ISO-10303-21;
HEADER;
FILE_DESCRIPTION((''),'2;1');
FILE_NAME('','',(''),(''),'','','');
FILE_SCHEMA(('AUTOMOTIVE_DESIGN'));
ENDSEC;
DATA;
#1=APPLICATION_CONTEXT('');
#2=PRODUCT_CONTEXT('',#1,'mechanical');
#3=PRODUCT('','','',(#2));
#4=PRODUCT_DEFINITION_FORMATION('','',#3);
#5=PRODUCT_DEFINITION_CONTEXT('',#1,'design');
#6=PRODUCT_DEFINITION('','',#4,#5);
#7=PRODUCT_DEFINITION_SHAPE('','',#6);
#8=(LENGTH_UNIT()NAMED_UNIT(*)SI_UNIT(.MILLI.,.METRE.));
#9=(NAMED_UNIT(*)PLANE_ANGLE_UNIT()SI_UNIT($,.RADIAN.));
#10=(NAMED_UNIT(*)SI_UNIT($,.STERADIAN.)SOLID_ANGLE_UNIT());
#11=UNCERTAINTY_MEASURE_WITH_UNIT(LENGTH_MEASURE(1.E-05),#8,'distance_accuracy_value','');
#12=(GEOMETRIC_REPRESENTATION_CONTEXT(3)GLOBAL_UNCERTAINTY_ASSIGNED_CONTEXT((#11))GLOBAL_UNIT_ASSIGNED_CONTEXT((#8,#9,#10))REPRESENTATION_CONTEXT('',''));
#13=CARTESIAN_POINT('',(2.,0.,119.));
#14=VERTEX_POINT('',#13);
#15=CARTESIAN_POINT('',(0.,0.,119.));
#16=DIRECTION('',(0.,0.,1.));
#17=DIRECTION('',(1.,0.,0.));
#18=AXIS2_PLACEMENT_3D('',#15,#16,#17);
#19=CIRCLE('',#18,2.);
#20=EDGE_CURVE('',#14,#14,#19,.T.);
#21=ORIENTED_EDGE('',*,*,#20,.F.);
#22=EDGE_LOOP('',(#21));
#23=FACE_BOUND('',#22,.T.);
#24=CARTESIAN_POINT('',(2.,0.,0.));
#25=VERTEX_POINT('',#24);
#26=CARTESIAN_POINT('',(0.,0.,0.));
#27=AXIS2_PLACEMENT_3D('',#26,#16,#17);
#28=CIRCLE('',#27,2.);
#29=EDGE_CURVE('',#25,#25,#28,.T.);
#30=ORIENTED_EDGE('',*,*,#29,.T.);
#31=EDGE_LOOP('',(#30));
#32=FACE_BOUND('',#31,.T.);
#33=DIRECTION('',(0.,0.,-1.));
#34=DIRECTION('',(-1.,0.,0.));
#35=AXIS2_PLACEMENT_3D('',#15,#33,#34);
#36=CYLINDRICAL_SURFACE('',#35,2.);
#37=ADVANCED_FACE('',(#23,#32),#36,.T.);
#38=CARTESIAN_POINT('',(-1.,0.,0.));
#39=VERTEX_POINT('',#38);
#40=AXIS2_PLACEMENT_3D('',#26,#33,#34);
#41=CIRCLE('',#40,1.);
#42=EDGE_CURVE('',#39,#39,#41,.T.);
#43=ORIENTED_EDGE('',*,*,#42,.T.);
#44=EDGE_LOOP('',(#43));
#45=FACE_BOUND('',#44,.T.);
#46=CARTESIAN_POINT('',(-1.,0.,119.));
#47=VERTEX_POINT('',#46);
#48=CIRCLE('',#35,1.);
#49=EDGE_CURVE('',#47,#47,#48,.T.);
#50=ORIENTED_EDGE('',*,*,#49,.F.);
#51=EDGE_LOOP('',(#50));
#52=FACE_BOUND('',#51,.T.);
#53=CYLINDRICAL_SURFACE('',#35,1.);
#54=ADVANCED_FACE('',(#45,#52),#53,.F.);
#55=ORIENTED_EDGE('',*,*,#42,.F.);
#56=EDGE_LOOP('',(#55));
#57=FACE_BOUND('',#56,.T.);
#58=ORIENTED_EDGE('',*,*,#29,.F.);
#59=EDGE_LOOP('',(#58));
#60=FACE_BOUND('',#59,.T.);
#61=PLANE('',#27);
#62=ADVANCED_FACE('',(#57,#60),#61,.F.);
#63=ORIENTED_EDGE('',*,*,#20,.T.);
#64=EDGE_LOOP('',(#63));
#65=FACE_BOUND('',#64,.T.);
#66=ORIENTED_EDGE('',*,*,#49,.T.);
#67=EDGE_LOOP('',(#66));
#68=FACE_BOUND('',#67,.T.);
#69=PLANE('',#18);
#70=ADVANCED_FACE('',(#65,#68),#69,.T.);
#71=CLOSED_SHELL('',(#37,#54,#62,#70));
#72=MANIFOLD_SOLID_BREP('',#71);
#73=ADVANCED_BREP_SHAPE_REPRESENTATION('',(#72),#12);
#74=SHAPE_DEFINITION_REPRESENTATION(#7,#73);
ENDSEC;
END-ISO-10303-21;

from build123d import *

# Parameters (mm, degrees)
SKETCH1_R           = 2
BOSS_EXTRUDE1_DEPTH = 119
SKETCH2_R           = 1
CUT_EXTRUDE1_DEPTH  = 119


with BuildPart() as part:
    # Sketch1 → Boss-Extrude1 (new body)
    with BuildSketch(Plane.XY):
        Circle(SKETCH1_R)
    extrude(amount=BOSS_EXTRUDE1_DEPTH)

    # Sketch2 → Cut-Extrude1 (cut)
    with BuildSketch(Plane(origin=(0, 0, 0), x_dir=(-1, 0, 0), z_dir=(0, 0, -1))):
        Circle(SKETCH2_R)
    extrude(amount=-CUT_EXTRUDE1_DEPTH, mode=Mode.SUBTRACT)


solid = part.part
